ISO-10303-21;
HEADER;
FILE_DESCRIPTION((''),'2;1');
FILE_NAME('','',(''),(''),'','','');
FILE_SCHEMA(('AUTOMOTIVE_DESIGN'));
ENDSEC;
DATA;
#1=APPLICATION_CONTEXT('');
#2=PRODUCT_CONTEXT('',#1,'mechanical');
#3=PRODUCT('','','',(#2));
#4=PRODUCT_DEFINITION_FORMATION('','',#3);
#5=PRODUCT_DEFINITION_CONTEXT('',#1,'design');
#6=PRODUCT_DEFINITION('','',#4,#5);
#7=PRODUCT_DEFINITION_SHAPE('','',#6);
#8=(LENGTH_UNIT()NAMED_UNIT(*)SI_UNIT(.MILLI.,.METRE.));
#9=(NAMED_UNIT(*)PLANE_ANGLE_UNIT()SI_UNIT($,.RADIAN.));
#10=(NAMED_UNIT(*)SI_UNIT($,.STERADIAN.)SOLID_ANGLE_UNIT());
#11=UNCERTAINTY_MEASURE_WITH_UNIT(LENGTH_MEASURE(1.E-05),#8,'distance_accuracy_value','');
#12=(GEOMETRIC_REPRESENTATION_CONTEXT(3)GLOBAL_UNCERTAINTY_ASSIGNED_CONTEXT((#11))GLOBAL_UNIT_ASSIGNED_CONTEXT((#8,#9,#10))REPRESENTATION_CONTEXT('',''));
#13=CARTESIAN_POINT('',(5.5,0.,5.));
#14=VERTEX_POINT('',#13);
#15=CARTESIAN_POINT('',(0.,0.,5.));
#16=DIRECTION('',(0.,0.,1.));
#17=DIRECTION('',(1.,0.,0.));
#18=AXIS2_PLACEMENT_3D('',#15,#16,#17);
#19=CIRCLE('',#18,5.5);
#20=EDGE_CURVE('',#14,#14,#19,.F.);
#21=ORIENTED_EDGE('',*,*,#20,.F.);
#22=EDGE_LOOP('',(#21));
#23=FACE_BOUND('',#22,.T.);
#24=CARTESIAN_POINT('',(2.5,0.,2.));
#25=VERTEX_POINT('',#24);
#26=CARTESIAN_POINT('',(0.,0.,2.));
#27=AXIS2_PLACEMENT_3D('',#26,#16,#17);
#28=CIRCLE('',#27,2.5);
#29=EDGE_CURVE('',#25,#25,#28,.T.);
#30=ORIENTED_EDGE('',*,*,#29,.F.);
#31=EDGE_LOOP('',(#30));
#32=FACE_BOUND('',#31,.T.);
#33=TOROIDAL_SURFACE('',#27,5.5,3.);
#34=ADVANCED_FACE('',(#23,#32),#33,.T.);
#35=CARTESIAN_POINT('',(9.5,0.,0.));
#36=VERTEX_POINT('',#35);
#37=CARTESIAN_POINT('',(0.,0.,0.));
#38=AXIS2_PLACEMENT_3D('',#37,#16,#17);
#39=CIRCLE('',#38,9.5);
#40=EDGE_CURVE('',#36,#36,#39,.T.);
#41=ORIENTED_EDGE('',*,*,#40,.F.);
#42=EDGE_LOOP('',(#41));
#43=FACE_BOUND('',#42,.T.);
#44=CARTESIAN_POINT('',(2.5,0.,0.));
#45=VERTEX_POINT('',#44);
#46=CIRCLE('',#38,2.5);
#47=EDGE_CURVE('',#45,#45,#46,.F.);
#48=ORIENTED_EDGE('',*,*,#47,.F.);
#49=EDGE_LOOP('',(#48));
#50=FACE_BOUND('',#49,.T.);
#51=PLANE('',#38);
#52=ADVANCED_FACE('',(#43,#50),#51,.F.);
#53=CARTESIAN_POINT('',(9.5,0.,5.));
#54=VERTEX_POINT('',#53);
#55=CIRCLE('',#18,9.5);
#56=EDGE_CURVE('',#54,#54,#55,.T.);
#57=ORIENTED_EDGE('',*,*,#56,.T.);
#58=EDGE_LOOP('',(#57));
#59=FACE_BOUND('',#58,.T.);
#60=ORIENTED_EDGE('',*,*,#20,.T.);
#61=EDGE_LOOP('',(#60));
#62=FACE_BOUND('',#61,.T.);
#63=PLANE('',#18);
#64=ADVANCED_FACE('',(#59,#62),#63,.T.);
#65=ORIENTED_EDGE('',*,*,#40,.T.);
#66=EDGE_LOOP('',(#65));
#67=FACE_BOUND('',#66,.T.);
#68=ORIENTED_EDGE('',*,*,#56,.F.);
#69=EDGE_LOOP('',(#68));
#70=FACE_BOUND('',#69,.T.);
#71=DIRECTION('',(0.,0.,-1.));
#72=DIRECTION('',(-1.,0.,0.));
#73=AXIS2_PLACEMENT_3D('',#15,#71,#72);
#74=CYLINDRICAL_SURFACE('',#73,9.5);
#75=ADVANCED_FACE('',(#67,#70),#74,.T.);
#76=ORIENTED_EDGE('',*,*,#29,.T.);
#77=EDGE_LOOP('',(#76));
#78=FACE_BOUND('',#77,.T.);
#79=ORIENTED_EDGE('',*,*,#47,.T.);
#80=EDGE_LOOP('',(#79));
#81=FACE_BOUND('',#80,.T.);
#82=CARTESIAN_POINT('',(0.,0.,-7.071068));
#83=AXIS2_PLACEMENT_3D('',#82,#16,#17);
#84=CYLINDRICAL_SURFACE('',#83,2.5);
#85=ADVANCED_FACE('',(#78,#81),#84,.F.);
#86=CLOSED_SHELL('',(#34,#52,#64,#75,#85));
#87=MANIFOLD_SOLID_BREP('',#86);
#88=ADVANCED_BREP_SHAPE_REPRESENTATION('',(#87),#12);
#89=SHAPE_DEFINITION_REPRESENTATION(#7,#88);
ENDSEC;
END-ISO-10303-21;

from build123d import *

# Parameters (mm, degrees)
SKETCH1_R           = 9.5
BOSS_EXTRUDE1_DEPTH = 5
SKETCH2_R           = 2.5
CUT_EXTRUDE1_DEPTH  = 5
FILLET1_R           = 3


with BuildPart() as part:
    # Sketch1 → Boss-Extrude1 (new body)
    with BuildSketch(Plane.XY):
        Circle(SKETCH1_R)
    extrude(amount=BOSS_EXTRUDE1_DEPTH)

    # Sketch2 → Cut-Extrude1 (cut)
    with BuildSketch(Plane.XY.offset(5)):
        Circle(SKETCH2_R)
    extrude(amount=-CUT_EXTRUDE1_DEPTH, mode=Mode.SUBTRACT)

    # Fillet1
    fillet1_edges = [part.edges().sort_by_distance(p)[0] for p in [
        (-2.5, 0, 5),
    ]]
    fillet(fillet1_edges, radius=FILLET1_R)


solid = part.part
